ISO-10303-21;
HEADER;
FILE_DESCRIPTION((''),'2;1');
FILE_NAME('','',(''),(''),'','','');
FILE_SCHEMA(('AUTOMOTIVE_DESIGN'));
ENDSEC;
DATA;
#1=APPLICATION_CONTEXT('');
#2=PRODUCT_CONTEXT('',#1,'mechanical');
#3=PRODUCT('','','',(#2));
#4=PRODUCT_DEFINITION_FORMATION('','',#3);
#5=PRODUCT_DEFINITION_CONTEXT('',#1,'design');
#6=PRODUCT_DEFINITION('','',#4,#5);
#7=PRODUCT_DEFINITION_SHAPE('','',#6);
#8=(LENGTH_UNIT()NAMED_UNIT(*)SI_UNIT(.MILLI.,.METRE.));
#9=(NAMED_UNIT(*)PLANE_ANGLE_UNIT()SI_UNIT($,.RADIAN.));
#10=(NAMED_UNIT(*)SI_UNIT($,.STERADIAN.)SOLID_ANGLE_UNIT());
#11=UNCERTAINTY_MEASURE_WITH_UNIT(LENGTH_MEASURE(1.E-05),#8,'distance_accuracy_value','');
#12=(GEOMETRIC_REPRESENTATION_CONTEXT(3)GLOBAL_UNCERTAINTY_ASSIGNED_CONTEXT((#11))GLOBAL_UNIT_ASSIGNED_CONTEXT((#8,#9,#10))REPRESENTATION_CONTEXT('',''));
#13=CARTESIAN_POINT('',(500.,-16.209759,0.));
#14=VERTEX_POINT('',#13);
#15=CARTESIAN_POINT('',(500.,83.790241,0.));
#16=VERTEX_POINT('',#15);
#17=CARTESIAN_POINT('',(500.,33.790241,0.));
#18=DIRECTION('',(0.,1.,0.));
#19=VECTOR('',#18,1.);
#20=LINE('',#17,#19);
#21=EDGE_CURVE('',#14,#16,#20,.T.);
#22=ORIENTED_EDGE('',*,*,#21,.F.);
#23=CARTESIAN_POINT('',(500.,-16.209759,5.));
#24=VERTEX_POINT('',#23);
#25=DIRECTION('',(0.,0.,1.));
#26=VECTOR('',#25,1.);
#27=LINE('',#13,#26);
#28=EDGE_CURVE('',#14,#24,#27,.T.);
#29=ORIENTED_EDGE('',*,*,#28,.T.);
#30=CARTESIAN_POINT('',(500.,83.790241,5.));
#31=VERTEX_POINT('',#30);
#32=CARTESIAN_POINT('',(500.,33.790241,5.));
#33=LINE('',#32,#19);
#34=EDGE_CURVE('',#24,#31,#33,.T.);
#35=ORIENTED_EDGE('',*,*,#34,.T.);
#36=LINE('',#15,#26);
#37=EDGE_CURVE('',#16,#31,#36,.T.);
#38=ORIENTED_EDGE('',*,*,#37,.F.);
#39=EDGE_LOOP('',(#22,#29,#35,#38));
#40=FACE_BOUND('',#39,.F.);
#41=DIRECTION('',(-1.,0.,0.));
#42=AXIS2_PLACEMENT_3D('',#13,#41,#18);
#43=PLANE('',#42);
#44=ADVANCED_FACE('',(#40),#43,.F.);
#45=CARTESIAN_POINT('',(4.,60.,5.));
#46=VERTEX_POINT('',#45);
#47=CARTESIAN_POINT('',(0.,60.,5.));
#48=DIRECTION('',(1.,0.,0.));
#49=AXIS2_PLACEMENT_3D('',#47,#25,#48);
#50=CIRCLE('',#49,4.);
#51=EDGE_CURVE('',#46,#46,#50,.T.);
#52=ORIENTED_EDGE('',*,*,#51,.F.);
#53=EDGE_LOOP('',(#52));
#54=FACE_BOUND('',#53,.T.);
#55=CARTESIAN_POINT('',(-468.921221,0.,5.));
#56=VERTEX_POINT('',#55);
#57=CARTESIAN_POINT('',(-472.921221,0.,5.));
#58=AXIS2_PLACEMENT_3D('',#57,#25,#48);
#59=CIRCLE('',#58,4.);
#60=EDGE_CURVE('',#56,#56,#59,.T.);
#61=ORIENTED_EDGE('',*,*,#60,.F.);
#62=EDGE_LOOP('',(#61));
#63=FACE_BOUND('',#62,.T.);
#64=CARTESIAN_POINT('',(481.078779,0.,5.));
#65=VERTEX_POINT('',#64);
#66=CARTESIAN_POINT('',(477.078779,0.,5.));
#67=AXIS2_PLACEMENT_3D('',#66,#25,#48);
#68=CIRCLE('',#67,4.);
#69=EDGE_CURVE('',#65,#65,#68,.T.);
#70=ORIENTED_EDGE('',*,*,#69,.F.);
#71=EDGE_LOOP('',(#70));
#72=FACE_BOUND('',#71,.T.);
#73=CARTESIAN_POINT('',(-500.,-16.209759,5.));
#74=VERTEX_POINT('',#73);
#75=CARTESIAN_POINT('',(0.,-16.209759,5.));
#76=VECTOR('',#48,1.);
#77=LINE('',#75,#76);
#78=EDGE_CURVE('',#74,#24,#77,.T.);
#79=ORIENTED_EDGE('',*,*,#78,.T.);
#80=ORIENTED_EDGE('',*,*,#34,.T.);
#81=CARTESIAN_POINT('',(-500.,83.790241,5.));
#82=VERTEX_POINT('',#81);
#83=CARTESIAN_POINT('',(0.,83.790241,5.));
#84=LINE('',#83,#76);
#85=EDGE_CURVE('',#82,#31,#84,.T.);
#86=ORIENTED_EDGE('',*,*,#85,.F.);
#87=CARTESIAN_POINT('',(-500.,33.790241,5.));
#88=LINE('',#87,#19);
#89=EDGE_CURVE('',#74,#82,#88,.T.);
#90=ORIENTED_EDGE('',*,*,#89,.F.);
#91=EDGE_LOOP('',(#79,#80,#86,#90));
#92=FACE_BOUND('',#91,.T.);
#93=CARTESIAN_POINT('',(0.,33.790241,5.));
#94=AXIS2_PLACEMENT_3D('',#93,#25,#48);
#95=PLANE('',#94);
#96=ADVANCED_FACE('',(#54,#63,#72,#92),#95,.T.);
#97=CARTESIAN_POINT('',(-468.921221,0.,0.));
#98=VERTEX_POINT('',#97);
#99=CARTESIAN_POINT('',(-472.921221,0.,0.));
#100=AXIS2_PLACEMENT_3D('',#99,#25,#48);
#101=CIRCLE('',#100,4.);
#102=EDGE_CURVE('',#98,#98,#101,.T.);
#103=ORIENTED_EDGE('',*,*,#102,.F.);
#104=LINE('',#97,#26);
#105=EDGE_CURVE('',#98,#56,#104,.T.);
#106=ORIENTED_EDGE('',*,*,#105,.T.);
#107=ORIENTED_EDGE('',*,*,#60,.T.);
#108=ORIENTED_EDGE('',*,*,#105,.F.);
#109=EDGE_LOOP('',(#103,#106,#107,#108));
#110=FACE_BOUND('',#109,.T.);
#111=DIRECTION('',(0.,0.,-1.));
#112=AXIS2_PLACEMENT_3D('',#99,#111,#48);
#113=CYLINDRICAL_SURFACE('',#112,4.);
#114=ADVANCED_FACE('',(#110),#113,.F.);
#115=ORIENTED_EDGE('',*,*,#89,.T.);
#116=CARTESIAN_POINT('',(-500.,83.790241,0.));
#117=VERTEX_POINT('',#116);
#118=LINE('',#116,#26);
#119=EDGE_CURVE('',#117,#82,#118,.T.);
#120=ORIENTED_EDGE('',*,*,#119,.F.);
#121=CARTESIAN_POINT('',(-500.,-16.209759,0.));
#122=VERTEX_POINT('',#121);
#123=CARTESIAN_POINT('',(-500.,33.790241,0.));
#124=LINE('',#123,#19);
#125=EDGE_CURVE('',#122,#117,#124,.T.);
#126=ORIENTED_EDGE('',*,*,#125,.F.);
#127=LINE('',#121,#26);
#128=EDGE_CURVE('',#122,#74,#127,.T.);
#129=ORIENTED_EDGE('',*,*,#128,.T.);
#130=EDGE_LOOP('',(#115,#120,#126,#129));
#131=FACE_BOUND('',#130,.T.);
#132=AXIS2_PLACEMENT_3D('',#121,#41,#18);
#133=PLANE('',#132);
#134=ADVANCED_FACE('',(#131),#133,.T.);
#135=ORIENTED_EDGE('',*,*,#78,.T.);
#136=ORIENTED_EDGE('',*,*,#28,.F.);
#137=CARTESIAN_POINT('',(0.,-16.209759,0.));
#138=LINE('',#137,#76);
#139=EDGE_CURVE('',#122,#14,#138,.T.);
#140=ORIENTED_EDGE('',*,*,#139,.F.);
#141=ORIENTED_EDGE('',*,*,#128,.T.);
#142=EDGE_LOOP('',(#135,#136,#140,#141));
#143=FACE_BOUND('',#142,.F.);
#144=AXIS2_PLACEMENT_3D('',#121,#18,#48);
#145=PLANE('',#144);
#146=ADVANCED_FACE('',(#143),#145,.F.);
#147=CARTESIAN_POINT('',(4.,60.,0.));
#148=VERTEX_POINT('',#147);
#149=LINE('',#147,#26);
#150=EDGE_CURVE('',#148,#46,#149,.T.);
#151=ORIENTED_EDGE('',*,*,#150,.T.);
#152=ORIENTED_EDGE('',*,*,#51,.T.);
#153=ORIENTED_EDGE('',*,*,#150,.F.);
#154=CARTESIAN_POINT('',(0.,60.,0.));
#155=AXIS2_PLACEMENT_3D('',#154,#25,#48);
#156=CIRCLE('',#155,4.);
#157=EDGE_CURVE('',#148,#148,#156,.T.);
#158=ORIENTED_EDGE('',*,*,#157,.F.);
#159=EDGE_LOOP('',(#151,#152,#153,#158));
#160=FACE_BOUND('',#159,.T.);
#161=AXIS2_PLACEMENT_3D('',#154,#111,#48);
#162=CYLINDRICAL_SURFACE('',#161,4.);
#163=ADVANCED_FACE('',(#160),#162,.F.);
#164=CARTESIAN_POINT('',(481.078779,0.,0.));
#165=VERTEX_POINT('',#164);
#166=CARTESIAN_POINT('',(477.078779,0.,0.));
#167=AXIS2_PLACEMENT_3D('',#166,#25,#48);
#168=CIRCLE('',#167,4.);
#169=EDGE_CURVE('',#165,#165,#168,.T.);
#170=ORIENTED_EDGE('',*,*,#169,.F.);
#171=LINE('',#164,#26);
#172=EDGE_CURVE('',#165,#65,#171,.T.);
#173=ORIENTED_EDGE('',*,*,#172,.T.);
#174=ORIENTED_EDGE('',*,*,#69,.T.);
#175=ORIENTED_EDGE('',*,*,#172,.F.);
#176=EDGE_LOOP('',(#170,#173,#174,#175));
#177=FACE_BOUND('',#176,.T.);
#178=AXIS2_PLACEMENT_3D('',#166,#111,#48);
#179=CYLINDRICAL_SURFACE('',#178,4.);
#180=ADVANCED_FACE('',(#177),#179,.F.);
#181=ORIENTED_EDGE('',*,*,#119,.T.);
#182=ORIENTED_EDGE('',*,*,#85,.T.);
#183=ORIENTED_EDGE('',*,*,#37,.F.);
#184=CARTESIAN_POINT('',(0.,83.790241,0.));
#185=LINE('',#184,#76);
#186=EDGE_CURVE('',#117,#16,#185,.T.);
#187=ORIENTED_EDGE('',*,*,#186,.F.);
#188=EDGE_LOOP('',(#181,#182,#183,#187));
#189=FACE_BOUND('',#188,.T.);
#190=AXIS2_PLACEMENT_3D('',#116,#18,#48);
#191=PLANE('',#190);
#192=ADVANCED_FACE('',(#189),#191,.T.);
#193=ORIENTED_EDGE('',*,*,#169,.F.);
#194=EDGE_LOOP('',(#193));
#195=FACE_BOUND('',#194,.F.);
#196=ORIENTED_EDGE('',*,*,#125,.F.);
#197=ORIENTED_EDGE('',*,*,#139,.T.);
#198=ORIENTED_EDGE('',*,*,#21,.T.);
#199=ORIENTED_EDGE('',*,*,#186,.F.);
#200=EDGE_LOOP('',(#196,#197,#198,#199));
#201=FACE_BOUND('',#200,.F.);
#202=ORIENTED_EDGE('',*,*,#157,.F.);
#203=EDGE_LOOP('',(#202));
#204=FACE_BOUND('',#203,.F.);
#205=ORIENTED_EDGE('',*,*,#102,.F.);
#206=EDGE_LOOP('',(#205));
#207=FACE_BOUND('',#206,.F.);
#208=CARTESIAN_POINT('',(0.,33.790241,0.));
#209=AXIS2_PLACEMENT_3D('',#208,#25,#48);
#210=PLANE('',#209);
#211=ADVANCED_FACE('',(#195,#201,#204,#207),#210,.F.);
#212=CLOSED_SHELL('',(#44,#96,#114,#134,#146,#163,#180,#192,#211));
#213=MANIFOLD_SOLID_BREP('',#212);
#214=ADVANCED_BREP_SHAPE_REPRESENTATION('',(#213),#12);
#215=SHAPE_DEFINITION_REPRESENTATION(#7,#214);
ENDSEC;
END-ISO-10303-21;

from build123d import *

# Parameters (mm, degrees)
F0_W     = 1000
F0_H     = 100
F0_R     = 4
F1_DEPTH = 5


with BuildPart() as f1:
    # F0 (on Top) → F1 (new body)
    with BuildSketch(Plane.XY):
        with Locations((0, 33.790241)):
            Rectangle(F0_W, F0_H)
        with Locations((-472.921221, 0)):
            Circle(F0_R, mode=Mode.SUBTRACT)
        with Locations((477.078779, 0)):
            Circle(F0_R, mode=Mode.SUBTRACT)
        with Locations((0, 60)):
            Circle(F0_R, mode=Mode.SUBTRACT)
    extrude(amount=F1_DEPTH)


solid = f1.part
